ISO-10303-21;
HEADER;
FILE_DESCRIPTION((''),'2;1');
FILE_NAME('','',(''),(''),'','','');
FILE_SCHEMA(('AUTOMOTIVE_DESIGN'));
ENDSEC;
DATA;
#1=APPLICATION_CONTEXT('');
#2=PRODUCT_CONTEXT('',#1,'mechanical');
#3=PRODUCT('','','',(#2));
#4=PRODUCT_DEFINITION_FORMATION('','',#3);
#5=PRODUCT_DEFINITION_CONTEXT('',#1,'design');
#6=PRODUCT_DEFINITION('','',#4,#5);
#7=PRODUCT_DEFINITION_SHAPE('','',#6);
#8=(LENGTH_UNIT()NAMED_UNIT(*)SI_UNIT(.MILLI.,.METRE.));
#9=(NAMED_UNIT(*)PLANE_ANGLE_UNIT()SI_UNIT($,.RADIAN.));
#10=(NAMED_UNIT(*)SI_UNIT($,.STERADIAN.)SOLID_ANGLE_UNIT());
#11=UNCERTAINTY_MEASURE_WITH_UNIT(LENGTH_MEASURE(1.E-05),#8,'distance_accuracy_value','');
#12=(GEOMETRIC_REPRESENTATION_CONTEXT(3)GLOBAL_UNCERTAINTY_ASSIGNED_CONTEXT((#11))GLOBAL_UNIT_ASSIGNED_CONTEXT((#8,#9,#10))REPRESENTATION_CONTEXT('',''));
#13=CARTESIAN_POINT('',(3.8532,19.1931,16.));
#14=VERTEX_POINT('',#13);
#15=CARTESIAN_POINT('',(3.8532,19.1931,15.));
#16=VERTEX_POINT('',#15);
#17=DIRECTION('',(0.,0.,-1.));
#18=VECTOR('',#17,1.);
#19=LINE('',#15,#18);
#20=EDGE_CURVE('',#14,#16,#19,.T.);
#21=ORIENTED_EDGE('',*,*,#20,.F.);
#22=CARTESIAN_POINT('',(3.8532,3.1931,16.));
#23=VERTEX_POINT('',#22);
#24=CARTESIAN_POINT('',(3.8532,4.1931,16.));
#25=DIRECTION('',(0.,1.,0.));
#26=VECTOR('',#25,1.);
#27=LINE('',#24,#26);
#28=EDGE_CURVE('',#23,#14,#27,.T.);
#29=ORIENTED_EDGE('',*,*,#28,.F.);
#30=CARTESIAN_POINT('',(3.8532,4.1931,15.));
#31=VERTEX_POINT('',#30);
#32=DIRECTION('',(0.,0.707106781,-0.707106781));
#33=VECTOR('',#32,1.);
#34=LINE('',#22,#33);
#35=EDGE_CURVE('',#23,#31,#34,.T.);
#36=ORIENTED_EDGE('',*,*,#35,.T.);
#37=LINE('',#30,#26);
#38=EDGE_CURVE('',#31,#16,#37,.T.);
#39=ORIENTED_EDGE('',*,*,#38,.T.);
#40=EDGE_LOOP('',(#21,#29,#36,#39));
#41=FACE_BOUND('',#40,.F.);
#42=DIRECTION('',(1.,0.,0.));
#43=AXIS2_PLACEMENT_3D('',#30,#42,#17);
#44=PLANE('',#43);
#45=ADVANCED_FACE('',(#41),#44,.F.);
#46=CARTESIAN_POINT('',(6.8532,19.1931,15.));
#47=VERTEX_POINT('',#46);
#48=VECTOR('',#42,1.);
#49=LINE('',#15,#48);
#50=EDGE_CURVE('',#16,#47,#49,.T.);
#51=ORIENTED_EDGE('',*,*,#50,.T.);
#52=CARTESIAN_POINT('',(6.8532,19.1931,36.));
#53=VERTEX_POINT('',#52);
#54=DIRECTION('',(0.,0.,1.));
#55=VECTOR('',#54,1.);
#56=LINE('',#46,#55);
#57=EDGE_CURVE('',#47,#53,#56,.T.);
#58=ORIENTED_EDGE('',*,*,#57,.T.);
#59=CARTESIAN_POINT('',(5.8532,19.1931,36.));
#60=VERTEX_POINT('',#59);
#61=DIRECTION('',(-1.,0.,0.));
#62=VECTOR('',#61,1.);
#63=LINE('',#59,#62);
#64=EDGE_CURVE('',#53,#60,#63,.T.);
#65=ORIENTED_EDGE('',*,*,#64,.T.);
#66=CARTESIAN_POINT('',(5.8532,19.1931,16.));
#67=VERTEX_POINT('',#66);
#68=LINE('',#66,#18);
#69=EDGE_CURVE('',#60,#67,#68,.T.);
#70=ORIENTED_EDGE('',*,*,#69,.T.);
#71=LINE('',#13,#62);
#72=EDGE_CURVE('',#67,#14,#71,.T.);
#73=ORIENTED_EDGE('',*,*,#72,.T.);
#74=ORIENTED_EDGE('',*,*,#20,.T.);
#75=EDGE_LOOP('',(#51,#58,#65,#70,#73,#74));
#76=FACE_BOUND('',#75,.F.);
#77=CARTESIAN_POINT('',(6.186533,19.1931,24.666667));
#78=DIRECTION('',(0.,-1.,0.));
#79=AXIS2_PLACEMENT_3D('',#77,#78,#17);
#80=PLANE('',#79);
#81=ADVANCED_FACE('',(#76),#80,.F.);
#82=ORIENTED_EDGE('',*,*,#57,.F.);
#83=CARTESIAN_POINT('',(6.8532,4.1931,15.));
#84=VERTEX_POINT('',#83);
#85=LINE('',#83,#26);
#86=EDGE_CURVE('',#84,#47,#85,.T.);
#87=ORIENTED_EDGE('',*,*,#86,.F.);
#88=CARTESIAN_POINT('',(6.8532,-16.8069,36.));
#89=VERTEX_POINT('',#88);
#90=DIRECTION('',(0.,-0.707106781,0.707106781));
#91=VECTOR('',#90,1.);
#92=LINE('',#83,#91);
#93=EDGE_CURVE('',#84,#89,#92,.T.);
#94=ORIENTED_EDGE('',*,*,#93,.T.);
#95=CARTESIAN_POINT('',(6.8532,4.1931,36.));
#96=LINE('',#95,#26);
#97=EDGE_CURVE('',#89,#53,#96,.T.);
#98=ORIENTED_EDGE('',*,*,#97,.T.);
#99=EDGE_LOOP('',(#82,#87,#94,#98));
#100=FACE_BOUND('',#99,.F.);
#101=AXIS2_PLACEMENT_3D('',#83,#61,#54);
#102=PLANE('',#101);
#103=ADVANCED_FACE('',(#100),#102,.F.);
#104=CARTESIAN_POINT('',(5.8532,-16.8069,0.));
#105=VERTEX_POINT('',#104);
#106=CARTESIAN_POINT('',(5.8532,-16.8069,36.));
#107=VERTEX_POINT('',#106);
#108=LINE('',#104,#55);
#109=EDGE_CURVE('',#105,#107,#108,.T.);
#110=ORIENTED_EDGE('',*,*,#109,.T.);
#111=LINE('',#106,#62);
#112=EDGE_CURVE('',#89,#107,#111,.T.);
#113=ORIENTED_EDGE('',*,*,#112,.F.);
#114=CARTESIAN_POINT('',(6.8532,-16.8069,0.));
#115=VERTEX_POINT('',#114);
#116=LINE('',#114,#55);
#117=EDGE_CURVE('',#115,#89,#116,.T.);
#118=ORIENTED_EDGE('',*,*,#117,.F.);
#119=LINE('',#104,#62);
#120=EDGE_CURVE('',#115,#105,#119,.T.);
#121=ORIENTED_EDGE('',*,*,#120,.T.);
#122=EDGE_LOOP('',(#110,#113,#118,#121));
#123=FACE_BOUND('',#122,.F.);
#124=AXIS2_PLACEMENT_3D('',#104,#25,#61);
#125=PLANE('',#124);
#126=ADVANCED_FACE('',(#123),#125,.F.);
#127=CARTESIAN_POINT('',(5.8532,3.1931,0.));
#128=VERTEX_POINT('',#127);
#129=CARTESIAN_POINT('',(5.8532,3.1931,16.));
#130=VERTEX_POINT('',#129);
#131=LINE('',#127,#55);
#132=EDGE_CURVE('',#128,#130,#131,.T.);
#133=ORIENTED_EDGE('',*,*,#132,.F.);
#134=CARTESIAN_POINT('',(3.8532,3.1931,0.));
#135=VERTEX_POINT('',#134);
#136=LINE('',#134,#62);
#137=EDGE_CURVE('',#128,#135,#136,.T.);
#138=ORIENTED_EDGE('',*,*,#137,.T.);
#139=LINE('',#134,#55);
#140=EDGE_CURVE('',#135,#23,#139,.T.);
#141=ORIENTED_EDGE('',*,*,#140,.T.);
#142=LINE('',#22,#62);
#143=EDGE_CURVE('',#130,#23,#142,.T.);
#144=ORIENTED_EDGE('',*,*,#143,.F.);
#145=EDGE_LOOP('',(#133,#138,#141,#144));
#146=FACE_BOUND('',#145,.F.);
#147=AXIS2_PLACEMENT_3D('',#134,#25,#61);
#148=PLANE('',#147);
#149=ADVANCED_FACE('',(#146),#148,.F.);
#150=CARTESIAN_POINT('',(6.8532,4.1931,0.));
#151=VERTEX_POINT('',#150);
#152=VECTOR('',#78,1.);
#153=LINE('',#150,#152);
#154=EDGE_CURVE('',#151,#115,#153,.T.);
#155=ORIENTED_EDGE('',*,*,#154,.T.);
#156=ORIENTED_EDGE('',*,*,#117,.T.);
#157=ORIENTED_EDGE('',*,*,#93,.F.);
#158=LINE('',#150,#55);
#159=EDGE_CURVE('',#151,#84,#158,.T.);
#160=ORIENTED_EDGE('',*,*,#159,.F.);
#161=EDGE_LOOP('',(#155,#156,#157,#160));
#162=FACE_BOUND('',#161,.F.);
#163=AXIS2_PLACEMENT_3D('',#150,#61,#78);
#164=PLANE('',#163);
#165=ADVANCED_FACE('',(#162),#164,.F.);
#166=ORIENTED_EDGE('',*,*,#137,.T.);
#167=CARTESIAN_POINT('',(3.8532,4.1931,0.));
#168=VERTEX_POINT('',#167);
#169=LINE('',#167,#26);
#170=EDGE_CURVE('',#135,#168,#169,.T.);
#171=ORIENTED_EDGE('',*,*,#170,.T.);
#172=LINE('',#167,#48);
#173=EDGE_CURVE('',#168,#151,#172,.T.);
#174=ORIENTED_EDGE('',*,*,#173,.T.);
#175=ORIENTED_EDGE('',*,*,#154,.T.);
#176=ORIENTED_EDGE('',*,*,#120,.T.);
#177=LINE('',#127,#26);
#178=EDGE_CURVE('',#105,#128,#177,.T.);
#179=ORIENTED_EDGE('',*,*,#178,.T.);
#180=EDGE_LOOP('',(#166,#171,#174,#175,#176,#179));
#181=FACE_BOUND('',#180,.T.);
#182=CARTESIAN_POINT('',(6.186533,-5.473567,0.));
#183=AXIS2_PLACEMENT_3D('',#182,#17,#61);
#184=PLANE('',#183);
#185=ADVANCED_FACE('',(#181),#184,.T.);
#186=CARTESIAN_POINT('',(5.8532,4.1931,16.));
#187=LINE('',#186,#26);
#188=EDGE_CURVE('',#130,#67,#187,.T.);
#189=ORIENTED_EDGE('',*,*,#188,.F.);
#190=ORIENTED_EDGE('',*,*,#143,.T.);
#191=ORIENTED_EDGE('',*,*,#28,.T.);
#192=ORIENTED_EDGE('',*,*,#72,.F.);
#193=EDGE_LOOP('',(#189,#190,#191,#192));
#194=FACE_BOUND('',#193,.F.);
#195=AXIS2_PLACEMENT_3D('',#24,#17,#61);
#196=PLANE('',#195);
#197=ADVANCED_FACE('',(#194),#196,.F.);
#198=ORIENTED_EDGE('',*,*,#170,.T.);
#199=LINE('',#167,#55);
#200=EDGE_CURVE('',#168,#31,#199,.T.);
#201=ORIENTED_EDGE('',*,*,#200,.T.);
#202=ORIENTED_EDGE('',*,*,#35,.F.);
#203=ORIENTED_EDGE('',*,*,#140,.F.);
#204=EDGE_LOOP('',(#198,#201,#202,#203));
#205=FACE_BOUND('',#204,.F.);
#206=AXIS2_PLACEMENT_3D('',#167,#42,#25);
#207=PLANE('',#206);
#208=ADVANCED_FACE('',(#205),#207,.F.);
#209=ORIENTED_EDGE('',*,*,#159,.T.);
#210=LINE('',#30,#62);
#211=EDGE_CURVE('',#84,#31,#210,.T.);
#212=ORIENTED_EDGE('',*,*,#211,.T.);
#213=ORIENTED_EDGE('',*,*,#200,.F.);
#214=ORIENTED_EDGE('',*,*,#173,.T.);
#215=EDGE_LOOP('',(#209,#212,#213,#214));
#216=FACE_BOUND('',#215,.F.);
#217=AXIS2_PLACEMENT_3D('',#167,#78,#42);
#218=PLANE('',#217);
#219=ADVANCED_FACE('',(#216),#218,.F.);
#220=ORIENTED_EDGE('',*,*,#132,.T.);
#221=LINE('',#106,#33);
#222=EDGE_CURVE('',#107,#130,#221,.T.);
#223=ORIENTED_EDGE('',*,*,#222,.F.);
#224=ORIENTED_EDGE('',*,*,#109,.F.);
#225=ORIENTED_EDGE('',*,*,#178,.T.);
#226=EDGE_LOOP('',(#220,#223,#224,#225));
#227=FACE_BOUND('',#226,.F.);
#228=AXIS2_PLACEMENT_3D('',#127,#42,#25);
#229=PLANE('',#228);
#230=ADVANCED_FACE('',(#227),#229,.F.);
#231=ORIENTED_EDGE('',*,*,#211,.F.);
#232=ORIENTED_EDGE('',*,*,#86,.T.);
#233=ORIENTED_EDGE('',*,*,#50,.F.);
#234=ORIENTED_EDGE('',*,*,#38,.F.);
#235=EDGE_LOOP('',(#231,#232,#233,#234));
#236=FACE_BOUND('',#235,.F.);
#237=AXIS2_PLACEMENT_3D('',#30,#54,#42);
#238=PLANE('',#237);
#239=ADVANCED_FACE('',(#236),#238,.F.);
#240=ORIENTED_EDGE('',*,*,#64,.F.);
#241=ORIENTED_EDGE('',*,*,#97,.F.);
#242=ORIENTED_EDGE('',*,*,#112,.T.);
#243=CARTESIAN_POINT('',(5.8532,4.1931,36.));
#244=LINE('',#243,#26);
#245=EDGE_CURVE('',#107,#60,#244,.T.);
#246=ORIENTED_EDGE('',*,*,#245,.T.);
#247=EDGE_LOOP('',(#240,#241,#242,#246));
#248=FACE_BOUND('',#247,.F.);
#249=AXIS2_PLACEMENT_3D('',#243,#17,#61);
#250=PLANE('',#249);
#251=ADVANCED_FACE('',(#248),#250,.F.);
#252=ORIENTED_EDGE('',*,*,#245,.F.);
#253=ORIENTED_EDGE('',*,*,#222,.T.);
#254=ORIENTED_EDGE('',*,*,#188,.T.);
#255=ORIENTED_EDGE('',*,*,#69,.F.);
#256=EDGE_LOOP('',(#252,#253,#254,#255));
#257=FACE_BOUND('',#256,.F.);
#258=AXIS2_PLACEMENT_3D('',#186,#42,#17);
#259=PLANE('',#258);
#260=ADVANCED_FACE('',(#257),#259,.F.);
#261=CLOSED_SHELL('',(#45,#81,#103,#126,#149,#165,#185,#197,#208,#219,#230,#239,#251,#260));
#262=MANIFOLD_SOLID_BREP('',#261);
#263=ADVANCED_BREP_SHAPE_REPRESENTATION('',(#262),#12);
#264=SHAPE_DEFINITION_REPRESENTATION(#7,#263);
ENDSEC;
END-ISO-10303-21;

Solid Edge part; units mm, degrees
sketch "Sketch1" plane through (0, 0, 0) normal (1, 0, 0) x (0, 1, 0)
  line L0 (4.1931, 0) -> (4.1931, 15)
  line L1 (4.1931, 15) -> (19.1931, 15)
sketch "Sketch2" plane through (0, 0, 0) normal (0, 0, 1) x (1, 0, 0)
  line L0 (3.8532, 4.1931) -> (6.8532, 4.1931)
  line L1 (6.8532, 4.1931) -> (6.8532, -16.8069)
  line L2 (5.8532, -16.8069) -> (6.8532, -16.8069)
  line L3 (5.8532, 3.1931) -> (5.8532, -16.8069)
  line L4 (3.8532, 3.1931) -> (5.8532, 3.1931)
  line L5 (3.8532, 4.1931) -> (3.8532, 3.1931)
  dimension "D1" = 1
sweep "ProtrusioneScorrimento_1" add profiles "Sketch2" path "Sketch1"
